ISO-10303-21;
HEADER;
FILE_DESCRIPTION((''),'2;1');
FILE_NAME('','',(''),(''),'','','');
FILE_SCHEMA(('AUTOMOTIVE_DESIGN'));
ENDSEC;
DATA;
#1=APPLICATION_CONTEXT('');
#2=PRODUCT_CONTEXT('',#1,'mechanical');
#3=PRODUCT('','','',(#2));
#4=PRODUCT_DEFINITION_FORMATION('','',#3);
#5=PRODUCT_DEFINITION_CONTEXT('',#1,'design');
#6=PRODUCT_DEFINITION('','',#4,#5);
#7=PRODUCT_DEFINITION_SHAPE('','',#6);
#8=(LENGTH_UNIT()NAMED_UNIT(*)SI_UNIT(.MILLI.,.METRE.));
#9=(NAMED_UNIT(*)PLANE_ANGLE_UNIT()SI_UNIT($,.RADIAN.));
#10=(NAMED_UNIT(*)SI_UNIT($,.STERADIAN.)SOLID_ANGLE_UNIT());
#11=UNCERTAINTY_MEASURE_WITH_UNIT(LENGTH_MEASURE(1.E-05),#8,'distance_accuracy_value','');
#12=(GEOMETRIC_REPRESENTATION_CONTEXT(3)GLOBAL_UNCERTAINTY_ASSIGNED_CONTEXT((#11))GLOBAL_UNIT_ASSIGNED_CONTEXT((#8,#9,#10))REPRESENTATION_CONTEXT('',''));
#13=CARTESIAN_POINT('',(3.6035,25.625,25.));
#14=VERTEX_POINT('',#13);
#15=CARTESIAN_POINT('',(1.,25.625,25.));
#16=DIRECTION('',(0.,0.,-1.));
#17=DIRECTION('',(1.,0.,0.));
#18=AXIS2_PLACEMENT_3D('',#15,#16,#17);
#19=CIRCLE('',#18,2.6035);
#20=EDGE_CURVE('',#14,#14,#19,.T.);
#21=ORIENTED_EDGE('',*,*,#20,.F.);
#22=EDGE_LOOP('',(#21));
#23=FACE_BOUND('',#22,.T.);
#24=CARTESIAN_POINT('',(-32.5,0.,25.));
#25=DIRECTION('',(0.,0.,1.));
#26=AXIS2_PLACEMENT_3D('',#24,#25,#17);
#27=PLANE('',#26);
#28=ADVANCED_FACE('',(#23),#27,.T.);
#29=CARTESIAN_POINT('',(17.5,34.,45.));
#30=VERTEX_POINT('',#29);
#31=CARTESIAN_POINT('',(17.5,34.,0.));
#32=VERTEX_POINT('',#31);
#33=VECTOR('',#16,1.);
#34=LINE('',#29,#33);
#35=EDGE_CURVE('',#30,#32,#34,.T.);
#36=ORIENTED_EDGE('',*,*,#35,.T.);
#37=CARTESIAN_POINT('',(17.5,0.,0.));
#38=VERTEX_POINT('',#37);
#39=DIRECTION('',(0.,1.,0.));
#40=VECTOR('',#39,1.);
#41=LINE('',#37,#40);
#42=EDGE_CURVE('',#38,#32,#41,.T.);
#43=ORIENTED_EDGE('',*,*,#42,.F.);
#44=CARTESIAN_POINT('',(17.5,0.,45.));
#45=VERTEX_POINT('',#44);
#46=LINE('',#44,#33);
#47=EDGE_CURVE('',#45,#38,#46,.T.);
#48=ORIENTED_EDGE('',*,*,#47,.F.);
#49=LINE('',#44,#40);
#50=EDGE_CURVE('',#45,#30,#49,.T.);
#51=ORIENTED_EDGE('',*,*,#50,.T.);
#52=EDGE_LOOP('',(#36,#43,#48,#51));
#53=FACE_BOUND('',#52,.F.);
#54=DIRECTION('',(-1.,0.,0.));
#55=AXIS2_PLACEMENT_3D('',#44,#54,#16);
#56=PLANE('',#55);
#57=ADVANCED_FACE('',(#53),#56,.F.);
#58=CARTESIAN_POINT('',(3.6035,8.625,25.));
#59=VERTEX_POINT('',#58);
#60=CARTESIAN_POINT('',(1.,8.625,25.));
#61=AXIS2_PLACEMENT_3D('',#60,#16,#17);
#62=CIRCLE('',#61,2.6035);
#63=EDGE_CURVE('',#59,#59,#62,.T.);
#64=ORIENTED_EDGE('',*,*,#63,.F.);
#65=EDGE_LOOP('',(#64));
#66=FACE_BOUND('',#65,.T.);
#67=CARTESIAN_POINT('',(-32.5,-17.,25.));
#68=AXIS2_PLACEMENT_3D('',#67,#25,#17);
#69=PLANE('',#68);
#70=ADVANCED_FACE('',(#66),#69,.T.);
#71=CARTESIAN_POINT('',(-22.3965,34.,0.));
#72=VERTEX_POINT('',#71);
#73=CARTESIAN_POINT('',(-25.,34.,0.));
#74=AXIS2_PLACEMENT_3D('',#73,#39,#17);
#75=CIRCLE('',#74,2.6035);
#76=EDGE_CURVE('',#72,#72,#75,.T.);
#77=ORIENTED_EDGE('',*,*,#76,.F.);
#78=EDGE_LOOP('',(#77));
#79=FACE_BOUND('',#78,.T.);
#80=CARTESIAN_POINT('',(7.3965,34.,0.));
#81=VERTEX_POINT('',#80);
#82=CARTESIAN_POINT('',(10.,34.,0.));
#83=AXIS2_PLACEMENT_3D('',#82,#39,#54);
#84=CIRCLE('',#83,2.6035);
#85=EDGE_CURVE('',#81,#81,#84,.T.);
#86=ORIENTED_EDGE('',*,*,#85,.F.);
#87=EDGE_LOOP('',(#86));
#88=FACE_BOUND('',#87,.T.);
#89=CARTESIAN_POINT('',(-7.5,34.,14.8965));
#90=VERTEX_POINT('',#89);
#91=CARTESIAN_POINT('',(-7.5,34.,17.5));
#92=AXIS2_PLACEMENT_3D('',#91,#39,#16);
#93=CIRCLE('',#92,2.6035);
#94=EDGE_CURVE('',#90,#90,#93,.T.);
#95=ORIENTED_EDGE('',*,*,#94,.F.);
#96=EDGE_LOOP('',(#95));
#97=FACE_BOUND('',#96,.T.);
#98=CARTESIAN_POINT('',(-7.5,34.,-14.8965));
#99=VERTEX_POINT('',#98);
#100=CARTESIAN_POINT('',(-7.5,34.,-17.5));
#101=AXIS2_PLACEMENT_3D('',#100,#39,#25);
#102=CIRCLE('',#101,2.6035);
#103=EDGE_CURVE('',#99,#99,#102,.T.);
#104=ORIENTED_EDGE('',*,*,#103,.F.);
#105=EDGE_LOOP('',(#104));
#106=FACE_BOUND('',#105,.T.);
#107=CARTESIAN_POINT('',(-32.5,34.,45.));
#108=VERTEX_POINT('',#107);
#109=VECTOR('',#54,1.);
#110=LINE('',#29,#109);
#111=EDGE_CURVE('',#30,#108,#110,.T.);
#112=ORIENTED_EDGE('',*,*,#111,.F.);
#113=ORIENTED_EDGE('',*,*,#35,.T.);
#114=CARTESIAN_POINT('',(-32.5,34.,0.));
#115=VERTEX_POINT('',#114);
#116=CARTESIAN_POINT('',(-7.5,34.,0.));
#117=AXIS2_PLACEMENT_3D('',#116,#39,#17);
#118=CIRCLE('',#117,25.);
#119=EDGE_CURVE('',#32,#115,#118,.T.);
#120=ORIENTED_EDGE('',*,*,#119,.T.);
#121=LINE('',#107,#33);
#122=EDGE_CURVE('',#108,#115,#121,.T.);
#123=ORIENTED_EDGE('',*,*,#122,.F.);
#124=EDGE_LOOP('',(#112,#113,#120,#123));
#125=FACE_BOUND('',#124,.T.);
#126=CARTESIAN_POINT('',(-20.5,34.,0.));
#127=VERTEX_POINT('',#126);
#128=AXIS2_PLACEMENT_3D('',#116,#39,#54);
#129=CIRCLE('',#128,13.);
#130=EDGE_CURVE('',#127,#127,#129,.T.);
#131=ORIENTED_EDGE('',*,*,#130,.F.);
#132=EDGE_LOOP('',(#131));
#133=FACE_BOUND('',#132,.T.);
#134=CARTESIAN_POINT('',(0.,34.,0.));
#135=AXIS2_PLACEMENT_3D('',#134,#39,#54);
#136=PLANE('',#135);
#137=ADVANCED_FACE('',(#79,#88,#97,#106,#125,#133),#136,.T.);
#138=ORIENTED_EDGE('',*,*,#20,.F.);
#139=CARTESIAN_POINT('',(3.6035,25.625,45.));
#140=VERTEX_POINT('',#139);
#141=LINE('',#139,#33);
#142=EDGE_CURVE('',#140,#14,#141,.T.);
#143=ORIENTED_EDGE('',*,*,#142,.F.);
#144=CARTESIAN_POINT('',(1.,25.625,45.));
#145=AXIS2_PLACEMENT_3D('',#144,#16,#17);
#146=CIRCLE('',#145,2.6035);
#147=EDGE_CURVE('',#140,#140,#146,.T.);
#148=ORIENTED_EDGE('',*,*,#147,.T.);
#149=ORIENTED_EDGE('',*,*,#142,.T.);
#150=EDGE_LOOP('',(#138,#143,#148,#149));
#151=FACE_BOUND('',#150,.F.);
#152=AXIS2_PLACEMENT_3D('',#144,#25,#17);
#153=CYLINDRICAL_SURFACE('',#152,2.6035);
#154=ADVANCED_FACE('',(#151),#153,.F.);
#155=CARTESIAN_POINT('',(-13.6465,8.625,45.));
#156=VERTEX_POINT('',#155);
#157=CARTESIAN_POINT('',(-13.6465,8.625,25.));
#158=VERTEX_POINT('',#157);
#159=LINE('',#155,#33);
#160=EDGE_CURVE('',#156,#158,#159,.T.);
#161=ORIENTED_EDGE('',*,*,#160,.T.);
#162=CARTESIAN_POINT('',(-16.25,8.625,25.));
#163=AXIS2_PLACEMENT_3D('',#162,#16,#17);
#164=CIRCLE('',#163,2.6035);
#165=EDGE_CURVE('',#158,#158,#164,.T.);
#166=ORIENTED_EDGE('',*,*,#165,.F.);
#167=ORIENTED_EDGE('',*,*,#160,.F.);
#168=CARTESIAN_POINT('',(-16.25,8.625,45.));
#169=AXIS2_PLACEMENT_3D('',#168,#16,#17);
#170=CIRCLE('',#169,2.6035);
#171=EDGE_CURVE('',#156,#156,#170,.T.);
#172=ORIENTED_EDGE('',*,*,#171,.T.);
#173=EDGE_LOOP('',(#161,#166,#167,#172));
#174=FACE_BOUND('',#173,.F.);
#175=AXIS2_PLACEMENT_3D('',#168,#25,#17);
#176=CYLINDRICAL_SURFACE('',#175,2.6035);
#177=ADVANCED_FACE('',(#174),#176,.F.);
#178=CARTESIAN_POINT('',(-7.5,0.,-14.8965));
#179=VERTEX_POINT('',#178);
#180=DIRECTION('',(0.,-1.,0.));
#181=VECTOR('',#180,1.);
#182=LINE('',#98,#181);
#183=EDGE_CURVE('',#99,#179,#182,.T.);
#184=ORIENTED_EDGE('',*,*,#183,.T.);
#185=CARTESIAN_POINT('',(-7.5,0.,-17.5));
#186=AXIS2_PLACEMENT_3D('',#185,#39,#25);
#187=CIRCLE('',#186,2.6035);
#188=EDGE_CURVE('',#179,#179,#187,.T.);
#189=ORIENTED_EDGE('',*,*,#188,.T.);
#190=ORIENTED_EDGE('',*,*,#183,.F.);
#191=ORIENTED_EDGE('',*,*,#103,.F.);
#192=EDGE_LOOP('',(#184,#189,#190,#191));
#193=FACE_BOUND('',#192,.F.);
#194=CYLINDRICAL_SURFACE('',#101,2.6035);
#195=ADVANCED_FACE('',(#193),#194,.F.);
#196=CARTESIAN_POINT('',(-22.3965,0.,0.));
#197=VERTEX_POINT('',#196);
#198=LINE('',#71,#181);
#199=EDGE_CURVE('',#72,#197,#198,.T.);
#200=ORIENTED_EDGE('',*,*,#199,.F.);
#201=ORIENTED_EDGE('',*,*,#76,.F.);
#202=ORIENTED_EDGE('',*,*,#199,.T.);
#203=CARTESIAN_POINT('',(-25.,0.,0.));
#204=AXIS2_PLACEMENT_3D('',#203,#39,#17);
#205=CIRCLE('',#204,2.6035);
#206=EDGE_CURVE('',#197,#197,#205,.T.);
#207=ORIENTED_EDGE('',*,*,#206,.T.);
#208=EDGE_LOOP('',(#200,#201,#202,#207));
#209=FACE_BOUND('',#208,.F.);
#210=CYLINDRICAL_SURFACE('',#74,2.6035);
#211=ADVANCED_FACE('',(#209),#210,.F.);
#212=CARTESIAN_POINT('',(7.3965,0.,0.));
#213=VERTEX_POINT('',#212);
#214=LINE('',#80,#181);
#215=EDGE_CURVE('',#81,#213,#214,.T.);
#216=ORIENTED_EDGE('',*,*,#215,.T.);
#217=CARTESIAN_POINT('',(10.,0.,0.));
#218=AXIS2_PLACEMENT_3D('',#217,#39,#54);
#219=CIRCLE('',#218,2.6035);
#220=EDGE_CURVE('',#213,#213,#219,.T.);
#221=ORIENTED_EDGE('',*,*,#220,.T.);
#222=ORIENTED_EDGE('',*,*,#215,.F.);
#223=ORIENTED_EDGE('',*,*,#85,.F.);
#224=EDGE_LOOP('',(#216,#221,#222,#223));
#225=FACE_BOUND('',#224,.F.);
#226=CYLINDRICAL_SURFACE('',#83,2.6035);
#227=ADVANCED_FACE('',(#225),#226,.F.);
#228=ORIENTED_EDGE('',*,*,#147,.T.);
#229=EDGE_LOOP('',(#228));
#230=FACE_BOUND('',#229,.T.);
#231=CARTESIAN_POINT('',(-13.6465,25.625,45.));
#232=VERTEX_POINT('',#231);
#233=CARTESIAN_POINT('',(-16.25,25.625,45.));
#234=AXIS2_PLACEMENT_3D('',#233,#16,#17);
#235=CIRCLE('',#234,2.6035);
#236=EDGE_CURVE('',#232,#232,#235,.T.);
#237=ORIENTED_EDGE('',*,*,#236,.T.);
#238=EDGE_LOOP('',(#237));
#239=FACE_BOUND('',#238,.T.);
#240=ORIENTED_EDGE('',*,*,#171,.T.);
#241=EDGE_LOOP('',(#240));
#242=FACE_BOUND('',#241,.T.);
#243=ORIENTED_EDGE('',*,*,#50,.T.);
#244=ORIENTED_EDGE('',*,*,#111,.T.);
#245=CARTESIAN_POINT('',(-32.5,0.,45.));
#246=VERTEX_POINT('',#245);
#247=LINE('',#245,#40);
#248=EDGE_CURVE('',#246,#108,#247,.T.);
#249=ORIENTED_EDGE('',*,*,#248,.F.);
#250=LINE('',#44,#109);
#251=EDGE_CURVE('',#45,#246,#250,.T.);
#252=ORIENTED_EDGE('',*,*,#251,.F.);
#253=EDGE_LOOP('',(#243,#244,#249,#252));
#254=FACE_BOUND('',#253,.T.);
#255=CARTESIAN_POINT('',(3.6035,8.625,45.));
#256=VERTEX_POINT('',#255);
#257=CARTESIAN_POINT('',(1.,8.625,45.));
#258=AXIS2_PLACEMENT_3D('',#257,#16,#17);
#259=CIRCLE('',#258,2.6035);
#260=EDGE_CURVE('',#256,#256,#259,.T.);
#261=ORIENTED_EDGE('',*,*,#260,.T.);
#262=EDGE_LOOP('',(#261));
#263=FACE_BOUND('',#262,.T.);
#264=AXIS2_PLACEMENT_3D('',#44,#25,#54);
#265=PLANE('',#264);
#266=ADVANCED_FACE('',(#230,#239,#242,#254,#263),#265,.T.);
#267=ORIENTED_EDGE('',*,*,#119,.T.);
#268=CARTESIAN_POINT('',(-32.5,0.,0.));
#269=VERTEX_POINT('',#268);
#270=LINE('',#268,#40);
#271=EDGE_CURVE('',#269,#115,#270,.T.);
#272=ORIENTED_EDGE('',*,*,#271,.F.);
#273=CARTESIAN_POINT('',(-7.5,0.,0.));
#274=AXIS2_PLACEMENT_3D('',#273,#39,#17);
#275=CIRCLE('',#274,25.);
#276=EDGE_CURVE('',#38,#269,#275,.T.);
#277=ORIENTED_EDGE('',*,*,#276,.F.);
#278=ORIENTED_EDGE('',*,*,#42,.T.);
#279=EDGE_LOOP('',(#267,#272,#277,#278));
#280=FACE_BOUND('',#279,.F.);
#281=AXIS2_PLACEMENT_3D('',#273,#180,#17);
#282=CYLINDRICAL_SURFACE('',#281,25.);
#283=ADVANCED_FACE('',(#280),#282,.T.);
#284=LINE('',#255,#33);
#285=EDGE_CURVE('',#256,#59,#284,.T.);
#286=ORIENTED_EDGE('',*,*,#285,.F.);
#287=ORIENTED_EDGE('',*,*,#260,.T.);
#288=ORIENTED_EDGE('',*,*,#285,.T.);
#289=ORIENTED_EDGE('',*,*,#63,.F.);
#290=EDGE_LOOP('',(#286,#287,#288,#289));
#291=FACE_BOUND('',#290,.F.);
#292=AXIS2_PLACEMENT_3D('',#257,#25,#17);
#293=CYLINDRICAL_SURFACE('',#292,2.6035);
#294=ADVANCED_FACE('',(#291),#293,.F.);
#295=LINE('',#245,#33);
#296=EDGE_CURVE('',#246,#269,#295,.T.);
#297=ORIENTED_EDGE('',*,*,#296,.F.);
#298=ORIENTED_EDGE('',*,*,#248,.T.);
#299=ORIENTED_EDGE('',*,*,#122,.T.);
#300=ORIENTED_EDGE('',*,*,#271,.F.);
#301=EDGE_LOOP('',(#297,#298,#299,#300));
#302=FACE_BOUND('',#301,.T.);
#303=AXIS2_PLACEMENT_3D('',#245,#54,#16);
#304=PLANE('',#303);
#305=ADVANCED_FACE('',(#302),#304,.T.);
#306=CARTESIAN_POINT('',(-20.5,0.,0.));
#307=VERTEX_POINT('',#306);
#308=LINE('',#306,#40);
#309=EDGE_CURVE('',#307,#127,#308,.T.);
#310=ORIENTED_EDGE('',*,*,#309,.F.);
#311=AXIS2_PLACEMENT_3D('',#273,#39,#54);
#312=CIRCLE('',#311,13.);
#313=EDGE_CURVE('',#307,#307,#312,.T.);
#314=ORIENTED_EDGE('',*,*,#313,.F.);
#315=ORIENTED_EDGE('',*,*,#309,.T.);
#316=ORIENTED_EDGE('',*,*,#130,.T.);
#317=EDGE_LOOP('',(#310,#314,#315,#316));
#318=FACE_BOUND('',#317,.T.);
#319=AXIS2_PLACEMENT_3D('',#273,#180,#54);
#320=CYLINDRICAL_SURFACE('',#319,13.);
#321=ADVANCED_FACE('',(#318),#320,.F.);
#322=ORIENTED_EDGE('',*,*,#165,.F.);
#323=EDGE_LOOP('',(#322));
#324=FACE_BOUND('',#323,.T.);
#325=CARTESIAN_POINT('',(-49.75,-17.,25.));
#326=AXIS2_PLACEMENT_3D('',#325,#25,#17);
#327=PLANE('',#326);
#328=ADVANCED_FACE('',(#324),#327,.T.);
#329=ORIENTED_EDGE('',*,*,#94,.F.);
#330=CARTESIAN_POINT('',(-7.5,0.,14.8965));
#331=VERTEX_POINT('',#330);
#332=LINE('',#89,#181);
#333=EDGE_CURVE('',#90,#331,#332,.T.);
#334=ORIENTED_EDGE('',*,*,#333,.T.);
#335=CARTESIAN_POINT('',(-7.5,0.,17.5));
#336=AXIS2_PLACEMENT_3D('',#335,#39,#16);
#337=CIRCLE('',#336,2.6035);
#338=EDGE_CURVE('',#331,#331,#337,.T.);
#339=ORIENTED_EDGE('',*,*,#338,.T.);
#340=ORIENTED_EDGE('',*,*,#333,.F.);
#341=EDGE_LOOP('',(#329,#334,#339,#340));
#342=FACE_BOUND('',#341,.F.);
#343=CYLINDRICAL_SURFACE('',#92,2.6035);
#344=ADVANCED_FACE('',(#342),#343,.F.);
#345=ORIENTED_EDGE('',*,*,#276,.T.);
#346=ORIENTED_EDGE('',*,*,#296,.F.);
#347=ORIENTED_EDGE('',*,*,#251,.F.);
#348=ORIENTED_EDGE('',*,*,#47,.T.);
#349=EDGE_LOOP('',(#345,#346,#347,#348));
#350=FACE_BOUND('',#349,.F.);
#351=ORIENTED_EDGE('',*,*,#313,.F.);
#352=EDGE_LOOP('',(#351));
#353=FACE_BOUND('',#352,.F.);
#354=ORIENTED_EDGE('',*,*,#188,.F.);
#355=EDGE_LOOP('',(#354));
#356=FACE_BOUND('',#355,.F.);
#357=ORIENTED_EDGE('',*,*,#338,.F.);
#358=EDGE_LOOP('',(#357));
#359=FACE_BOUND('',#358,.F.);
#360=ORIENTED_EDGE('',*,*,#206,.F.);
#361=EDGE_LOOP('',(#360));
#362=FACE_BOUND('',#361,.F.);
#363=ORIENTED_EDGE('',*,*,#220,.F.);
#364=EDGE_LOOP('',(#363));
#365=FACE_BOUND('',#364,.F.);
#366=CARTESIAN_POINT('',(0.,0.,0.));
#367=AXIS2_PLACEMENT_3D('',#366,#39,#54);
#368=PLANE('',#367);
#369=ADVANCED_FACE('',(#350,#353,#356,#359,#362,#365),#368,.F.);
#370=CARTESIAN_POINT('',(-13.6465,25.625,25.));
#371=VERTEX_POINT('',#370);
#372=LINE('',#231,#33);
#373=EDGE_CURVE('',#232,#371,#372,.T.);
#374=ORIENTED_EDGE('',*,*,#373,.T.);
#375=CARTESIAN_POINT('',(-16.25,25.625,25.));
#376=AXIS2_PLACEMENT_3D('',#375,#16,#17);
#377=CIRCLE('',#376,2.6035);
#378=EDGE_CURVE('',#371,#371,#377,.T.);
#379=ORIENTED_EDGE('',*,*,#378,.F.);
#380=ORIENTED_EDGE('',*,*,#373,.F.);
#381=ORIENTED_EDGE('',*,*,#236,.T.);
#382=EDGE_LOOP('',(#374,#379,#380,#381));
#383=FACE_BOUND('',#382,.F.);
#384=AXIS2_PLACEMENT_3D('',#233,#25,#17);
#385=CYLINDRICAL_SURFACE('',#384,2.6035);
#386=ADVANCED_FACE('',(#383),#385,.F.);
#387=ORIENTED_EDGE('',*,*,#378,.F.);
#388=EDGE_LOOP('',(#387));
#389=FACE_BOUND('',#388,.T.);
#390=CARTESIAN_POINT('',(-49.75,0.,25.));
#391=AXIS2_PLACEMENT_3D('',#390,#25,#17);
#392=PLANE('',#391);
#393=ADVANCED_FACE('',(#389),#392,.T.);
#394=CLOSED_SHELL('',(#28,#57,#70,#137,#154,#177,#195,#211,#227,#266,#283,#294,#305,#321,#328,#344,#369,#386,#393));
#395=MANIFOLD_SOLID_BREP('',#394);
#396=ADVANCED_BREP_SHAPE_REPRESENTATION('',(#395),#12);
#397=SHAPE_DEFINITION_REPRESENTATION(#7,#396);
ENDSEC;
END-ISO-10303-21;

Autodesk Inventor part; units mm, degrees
ref_plane "YZ Plane" through (0, 0, 0) normal (1, 0, 0) x (0, 1, 0)
ref_plane "XZ Plane" through (0, 0, 0) normal (0, 1, 0) x (-1, 0, 0)
ref_plane "XY Plane" through (0, 0, 0) normal (0, 0, 1) x (1, 0, 0)
sketch "Sketch1" plane through (0, 0, 0) normal (0, 1, 0) x (-1, 0, 0)
  circle A0 centre (7.5, 0) radius 13
  line L0 (-17.5, 45) -> (32.5, 45)
  line L1 (32.5, 45) -> (32.5, 0)
  line L2 (-17.5, 45) -> (-17.5, 0)
  arc A1 (-17.5, 0) -> (32.5, 0) centre (7.5, 0) ccw
  point P0 (0, 0)
  dimension "d1" = 26
  dimension "d6" = 50
  dimension "d29" = 45
extrude "Base" add sketch "Sketch1" along normal blind 34
sketch "Sketch3" plane through (0, 34, 0) normal (0, 1, 0) x (1, 0, 0)
  circle A0 centre (-7.5, 0) radius 13 projected
  line L0 (-7.5, 0) -> (-25, 0)
  line L1 (-25, 0) -> (10, 0)
  circle A1 centre (-25, 0) radius 2.6035
  point P0 (0, 0)
  dimension "d10" = 35
  dimension "d11" = 5.207
extrude "Screw Hole" cut sketch "Sketch3" against normal through all contours A1
pattern_circular "Circular Pattern1" count 4 over 360 about axis through (-7.5, 0, 0) along (0, 1, 0) of "Screw Hole"
sketch "Sketch4" plane through (-32.5, 0, 45) normal (0, 0, 1) x (1, 0, 0)
  line L0 (0, 0) -> (0, 34) projected
  line L1 (0, 17) -> (50, 17)
  line L2 (50, 0) -> (50, 34) projected
  line L3 (25, 17) -> (25, 25.625)
  line L4 (25, 25.625) -> (33.5, 25.625)
  circle A0 centre (33.5, 25.625) radius 2.6035
  point P0 (32.5, 0)
  dimension "d17" = 8.625
  dimension "d18" = 8.5
  dimension "d19" = 5.207
extrude "Mount Holes" cut sketch "Sketch4" against normal blind 20
pattern_linear "Rectangular Pattern1" count 2 spacing 17 along (0, -1, 0) count 2 spacing 17.25 along (-1, 0, 0) of "Mount Holes"
properties part number "LimbAttachment"
